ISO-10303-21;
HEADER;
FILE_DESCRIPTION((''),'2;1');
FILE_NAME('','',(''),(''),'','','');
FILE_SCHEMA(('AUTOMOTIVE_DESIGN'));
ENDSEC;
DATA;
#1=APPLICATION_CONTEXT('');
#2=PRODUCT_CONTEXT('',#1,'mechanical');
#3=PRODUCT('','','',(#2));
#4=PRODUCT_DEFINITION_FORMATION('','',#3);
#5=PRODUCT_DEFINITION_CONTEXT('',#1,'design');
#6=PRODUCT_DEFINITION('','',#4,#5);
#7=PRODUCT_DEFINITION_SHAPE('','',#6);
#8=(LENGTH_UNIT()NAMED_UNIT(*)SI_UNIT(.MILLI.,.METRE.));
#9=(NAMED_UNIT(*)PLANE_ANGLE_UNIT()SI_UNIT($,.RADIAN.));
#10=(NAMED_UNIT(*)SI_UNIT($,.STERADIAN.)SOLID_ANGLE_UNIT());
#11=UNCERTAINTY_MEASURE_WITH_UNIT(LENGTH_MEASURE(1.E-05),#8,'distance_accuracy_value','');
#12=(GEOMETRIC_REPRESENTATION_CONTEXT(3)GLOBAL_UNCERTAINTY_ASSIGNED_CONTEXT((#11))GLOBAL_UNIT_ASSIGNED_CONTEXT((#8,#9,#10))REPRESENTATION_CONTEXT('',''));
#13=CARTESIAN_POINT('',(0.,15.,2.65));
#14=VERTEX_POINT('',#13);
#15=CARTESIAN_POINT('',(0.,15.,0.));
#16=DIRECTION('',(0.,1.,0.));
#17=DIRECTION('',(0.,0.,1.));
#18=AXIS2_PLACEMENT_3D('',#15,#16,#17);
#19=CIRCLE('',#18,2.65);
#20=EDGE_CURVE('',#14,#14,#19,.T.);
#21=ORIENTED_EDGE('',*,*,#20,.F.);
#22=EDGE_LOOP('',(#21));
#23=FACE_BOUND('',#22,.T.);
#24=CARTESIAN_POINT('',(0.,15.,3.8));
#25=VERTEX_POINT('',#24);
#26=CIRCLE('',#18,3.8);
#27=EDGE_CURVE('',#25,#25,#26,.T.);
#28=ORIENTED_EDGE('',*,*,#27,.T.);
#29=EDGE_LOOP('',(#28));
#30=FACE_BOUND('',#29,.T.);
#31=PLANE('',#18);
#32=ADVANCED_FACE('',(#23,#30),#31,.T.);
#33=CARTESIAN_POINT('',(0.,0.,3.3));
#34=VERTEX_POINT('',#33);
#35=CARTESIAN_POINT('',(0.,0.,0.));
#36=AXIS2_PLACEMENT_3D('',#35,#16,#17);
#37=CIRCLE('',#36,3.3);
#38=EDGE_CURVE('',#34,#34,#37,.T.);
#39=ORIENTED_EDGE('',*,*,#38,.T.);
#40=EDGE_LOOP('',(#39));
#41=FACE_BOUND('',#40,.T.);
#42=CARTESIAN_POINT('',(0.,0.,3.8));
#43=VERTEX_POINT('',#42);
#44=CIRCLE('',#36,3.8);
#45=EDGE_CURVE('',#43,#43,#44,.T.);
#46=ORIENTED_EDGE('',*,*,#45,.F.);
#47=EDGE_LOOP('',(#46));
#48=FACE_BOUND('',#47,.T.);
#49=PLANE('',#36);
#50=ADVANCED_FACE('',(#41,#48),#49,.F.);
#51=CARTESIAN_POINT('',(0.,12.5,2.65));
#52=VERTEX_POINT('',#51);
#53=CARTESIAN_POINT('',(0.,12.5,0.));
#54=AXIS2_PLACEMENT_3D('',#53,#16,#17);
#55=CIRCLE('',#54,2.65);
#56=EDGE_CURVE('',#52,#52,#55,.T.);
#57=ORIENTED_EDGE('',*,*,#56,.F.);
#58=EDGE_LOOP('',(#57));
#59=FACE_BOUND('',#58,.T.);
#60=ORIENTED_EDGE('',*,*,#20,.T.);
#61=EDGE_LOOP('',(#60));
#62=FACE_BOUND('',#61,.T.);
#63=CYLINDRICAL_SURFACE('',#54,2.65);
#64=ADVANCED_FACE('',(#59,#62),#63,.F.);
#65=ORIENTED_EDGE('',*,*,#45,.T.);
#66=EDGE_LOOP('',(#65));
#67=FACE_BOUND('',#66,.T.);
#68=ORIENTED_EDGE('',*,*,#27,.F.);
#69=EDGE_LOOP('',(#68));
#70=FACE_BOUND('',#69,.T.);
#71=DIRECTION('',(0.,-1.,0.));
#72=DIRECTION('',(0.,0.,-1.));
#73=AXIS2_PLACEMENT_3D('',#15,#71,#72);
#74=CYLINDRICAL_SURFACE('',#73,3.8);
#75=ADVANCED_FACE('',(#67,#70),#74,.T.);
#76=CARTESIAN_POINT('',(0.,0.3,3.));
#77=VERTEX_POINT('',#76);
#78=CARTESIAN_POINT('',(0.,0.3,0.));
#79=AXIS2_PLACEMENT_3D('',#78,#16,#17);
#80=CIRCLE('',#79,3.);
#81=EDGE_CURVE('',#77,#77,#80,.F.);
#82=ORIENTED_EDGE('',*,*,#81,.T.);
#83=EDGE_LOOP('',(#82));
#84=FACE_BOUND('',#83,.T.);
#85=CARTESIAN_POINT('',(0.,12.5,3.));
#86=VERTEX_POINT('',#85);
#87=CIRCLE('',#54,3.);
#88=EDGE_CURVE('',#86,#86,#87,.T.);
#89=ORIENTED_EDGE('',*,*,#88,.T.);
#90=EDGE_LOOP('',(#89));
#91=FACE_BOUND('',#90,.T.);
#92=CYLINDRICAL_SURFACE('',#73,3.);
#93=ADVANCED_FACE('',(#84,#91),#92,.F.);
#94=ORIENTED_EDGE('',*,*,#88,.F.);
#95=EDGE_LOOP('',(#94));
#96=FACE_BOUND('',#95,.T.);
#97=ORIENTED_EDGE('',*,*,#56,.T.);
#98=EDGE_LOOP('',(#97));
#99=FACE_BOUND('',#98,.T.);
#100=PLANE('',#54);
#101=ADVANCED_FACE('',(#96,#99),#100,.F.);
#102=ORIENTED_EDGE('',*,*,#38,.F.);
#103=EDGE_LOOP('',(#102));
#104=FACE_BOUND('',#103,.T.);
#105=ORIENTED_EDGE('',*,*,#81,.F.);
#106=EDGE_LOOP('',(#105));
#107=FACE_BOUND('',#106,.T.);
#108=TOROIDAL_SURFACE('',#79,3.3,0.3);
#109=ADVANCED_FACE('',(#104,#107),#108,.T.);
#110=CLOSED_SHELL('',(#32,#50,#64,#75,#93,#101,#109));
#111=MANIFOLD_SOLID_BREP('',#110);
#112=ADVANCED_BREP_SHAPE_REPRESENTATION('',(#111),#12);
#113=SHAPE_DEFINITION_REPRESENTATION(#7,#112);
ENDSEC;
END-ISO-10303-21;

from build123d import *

# Parameters (mm, degrees)
CROQUIS1_R              = 3.8
CROQUIS1_R_2            = 3
SALIENTE_EXTRUIR1_DEPTH = 15
CROQUIS2_R              = 3.25
CROQUIS2_R_2            = 2.65
SALIENTE_EXTRUIR2_DEPTH = 2.5
REDONDEO1_R             = 0.3


with BuildPart() as part:
    # Croquis1 → Saliente-Extruir1 (new body)
    with BuildSketch(Plane(origin=(0, 0, 0), x_dir=(1, 0, 0), z_dir=(0, 1, 0))):
        with Locations(Location((0, 0, 0), (0, 0, 270))):
            Circle(CROQUIS1_R)
        with Locations(Location((0, 0, 0), (0, 0, 270))):
            Circle(CROQUIS1_R_2, mode=Mode.SUBTRACT)
    extrude(amount=SALIENTE_EXTRUIR1_DEPTH)

    # Croquis2 → Saliente-Extruir2 (add)
    with BuildSketch(Plane(origin=(0, 15, 0), x_dir=(1, 0, 0), z_dir=(0, 1, 0))):
        Circle(CROQUIS2_R)
        with Locations(Location((0, 0, 0), (0, 0, 270))):
            Circle(CROQUIS2_R_2, mode=Mode.SUBTRACT)
    extrude(amount=-SALIENTE_EXTRUIR2_DEPTH)

    # Redondeo1
    redondeo1_edges = [part.edges().sort_by_distance(p)[0] for p in [
        (0, 0, -3),
    ]]
    fillet(redondeo1_edges, radius=REDONDEO1_R)


solid = part.part
